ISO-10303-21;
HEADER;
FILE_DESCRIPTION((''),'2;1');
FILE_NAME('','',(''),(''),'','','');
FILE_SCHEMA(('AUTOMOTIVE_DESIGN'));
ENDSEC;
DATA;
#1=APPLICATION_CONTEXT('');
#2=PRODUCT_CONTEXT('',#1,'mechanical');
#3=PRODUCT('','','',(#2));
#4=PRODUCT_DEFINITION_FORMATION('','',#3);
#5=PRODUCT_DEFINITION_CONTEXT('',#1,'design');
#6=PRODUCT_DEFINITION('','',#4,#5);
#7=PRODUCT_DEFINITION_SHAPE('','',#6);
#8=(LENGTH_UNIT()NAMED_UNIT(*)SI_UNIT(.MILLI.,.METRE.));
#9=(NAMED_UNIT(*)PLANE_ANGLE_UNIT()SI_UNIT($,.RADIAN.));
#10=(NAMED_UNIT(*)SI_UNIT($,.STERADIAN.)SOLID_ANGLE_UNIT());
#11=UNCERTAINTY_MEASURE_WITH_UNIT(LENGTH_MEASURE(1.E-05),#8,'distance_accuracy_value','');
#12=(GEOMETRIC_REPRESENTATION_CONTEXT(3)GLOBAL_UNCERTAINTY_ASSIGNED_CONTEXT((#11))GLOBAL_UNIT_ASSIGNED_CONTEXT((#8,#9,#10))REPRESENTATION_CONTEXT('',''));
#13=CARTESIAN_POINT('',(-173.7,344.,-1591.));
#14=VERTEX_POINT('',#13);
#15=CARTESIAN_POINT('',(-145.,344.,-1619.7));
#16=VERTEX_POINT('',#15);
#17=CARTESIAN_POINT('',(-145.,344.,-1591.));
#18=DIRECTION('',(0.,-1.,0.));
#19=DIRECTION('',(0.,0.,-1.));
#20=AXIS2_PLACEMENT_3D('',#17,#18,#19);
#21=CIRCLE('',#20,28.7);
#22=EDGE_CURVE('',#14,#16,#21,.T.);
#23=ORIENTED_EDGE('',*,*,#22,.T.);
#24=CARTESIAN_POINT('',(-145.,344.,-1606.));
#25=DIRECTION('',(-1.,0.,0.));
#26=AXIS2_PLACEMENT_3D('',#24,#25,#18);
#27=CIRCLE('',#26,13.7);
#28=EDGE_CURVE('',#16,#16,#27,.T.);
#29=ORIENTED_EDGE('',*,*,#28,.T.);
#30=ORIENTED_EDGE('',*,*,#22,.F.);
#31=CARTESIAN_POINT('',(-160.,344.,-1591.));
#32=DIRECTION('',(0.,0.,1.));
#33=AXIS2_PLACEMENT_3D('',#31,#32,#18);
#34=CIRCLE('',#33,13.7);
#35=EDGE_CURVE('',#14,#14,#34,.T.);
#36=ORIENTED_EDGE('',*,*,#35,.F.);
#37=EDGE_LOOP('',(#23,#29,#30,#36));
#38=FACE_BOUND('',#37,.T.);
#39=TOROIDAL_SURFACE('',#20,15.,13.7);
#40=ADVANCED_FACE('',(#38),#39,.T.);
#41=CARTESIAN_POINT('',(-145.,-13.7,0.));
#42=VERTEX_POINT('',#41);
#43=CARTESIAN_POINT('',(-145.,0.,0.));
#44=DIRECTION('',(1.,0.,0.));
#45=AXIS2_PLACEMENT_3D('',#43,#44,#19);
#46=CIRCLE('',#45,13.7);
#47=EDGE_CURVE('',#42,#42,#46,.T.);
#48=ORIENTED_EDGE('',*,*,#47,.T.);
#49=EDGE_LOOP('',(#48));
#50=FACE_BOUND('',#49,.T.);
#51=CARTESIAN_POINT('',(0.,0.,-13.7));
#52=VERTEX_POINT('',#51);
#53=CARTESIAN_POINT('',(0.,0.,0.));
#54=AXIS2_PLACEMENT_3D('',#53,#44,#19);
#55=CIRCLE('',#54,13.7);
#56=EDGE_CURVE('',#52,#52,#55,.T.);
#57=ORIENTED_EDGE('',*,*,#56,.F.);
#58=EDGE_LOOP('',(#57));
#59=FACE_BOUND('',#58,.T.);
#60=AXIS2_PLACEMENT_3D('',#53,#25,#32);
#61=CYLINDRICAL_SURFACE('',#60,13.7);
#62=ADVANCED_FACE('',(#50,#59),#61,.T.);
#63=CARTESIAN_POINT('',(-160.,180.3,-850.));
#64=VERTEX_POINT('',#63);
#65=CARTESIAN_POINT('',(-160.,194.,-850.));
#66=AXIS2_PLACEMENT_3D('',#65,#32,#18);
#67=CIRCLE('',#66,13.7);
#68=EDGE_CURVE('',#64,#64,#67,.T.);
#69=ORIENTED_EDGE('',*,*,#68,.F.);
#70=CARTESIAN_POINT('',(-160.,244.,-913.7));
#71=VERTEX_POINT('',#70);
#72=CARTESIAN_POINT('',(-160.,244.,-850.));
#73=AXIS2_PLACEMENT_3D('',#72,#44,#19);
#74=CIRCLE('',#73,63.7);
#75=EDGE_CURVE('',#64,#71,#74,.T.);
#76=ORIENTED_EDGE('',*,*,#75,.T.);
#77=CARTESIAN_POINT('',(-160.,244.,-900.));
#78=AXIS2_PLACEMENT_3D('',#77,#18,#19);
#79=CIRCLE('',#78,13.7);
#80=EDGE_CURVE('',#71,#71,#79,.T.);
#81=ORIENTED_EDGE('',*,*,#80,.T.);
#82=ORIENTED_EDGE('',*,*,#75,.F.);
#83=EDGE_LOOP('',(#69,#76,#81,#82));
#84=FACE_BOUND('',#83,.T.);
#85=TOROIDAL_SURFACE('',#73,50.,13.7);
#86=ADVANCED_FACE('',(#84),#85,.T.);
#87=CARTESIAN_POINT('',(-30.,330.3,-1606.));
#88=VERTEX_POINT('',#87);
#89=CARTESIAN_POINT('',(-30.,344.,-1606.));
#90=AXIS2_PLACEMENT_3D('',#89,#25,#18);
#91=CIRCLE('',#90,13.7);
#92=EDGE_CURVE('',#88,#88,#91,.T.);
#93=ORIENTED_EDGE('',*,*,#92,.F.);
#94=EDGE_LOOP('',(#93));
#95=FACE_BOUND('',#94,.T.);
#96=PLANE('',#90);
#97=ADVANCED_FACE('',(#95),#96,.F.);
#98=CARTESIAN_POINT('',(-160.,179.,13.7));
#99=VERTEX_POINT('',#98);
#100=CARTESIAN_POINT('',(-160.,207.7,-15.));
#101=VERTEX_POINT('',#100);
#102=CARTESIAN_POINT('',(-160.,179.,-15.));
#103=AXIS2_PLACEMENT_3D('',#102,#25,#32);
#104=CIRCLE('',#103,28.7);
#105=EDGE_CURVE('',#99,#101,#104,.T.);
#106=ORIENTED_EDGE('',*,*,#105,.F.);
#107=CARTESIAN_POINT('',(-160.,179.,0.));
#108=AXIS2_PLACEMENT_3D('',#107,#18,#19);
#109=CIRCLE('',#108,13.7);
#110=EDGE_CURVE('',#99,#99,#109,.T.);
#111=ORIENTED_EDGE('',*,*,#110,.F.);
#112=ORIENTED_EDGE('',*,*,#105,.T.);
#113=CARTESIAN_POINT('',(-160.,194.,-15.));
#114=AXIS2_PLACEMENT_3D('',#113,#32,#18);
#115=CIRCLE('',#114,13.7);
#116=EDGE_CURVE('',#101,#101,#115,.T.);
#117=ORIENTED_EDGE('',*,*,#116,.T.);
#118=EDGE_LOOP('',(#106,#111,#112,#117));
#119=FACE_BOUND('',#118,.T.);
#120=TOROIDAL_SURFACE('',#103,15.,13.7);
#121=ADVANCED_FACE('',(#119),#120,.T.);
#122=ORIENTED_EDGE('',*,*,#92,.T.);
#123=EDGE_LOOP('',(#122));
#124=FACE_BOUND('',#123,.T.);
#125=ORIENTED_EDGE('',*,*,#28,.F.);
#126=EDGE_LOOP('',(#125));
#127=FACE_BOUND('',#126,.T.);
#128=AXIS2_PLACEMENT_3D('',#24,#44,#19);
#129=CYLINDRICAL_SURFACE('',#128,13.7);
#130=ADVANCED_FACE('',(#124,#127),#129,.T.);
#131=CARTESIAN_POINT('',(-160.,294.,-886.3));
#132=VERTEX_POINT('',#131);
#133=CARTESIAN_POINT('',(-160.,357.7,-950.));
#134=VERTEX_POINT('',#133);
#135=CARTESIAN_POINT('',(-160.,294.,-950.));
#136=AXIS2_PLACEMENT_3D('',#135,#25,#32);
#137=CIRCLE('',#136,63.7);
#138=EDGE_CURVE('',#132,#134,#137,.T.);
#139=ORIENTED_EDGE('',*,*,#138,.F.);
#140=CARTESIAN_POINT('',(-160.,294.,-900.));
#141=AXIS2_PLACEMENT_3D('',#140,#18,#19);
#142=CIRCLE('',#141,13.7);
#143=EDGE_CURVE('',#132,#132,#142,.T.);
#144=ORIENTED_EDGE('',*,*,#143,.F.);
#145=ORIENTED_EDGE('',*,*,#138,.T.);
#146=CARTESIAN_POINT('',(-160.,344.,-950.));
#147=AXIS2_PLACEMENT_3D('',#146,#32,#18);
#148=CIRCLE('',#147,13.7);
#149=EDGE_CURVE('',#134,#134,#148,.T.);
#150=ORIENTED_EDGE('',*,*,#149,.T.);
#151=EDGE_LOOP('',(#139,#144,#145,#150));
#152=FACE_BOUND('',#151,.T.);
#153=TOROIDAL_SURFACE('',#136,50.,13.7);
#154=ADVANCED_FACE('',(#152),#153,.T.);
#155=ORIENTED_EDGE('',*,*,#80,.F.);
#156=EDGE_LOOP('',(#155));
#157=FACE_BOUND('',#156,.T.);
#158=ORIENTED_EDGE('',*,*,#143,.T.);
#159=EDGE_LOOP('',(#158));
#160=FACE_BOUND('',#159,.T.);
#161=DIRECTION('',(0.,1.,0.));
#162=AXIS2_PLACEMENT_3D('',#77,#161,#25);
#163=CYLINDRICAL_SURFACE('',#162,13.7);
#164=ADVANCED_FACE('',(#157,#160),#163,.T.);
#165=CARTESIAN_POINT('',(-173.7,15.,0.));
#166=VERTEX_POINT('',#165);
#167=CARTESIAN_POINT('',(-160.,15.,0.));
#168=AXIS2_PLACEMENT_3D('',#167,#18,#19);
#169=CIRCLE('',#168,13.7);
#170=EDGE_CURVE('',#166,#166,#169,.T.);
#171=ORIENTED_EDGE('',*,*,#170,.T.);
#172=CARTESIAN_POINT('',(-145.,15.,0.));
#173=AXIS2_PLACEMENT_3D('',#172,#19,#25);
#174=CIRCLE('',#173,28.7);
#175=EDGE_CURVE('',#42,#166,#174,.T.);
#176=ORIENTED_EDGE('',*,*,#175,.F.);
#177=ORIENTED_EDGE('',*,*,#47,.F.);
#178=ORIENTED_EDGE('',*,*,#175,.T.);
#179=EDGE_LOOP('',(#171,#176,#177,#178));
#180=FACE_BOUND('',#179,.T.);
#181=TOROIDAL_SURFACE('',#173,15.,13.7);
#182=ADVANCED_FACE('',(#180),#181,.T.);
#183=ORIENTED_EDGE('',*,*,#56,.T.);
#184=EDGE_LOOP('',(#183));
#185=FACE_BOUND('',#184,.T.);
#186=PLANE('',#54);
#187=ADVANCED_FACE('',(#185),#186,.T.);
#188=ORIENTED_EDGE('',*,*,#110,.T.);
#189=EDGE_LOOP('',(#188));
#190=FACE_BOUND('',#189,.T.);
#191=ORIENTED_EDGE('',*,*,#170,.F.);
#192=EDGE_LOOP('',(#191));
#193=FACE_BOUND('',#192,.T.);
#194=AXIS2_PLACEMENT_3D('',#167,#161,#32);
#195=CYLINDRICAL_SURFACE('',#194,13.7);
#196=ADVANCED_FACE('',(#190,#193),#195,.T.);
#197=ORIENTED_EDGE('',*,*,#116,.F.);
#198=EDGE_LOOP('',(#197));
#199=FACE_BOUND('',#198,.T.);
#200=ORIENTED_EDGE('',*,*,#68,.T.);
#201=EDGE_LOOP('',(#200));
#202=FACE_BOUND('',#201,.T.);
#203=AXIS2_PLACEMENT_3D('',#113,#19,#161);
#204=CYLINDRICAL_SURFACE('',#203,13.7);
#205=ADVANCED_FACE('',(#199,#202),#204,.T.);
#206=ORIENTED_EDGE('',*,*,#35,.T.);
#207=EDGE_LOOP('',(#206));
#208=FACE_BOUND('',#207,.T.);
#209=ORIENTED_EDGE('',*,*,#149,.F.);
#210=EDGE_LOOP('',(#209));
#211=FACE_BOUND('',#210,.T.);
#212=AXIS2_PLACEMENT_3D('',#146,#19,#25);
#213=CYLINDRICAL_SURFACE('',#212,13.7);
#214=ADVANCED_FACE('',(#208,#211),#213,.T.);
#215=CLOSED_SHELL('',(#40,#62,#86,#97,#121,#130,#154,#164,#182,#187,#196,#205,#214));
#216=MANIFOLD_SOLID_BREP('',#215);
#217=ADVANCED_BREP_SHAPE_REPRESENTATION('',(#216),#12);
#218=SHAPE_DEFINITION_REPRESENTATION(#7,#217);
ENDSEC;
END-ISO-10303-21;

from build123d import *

# Parameters (mm, degrees)
CROQUIS1_R = 13.7


with BuildPart() as part:
    # Barrer1: sweep along a curve in space
    with BuildLine() as barrer1_path:
        Line((0, 0, 0), (-145, 0, 0))
        ThreePointArc((-145, 0, 0), (-155.606601718, 4.393398282, 0), (-160, 15, 0))
        Line((-160, 15, 0), (-160, 179, 0))
        ThreePointArc((-160, 194, -15), (-160, 189.606601718, -4.393398282), (-160, 179, 0))
        Line((-160, 194, -15), (-160, 194, -850))
        ThreePointArc((-160, 244, -900), (-160, 208.644660941, -885.355339059), (-160, 194, -850))
        Line((-160, 294, -900), (-160, 244, -900))
        ThreePointArc((-160, 294, -900), (-160, 329.355339059, -914.644660941), (-160, 344, -950))
        Line((-160, 344, -950), (-160, 344, -1591))
        ThreePointArc((-160, 344, -1591), (-155.606601718, 344, -1601.606601718), (-145, 344, -1606))
        Line((-145, 344, -1606), (-30, 344, -1606))
    # Croquis1 → Barrer1 (sweep)
    with BuildSketch(Plane(origin=(0, 0, 0), x_dir=(0, 0, -1), z_dir=(1, 0, 0))):
        Circle(CROQUIS1_R)
    sweep(path=barrer1_path.line)


solid = part.part
